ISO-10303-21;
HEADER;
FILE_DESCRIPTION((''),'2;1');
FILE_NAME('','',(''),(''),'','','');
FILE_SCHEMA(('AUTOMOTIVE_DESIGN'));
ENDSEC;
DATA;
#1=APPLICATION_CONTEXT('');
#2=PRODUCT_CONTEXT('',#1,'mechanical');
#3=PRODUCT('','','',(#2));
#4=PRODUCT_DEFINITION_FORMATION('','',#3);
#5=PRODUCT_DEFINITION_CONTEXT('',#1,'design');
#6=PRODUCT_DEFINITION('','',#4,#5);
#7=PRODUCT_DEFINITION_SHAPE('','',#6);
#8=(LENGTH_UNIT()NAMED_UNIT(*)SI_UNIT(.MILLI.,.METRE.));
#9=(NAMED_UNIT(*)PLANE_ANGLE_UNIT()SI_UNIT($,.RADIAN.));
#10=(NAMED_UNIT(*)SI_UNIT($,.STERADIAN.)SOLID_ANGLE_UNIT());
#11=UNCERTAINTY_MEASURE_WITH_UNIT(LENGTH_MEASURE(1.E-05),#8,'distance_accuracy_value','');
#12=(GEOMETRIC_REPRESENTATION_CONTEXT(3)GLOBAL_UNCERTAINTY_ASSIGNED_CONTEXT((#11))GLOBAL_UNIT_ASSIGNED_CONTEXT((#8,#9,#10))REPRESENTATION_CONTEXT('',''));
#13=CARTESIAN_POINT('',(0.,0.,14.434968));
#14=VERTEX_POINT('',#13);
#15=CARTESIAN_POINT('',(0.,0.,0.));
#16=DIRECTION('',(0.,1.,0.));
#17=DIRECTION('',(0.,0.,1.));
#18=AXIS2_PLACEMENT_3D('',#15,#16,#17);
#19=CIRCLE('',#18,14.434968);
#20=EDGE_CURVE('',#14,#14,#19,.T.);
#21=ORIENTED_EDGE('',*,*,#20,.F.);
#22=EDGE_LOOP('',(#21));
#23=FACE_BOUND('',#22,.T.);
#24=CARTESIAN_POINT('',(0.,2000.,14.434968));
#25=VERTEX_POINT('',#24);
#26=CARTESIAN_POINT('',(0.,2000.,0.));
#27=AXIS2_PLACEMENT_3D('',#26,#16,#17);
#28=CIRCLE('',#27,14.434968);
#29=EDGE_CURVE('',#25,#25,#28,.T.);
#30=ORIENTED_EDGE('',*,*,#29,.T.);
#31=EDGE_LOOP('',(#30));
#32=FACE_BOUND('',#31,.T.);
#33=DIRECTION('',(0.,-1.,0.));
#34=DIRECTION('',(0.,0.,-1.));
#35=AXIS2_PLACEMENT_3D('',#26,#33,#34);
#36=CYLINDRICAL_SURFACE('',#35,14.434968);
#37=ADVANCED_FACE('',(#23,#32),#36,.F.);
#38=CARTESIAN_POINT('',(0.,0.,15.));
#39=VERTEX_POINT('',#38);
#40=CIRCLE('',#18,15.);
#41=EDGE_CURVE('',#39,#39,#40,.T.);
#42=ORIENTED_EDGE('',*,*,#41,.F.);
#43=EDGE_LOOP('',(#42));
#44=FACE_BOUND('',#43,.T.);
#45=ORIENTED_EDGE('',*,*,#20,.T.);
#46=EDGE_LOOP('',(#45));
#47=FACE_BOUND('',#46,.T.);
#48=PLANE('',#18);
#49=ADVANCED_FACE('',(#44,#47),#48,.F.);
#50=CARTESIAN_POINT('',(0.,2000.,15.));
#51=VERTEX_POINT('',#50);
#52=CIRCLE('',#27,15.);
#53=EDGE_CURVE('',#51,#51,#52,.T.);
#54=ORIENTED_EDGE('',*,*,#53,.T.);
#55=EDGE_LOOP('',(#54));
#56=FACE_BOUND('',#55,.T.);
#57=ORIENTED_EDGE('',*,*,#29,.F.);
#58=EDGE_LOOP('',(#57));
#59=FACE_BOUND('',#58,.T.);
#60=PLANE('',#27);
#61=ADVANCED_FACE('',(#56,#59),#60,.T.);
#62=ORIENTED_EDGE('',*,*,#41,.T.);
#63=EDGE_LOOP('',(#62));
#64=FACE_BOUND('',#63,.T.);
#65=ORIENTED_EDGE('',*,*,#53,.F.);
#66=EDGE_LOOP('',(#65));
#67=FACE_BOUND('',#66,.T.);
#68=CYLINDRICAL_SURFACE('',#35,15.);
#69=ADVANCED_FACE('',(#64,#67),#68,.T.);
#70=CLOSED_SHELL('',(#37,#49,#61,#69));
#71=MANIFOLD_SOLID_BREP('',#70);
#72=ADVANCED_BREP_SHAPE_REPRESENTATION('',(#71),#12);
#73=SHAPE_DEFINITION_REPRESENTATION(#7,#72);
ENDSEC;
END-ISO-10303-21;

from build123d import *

# Parameters (mm, degrees)
SKETCH1_R           = 15
SKETCH1_R_2         = 14.434968314
BOSS_EXTRUDE2_DEPTH = 2000


with BuildPart() as part:
    # Sketch1 → Boss-Extrude2 (new body)
    with BuildSketch(Plane(origin=(0, 0, 0), x_dir=(1, 0, 0), z_dir=(0, 1, 0))):
        Circle(SKETCH1_R)
        Circle(SKETCH1_R_2, mode=Mode.SUBTRACT)
    extrude(amount=BOSS_EXTRUDE2_DEPTH)


solid = part.part
